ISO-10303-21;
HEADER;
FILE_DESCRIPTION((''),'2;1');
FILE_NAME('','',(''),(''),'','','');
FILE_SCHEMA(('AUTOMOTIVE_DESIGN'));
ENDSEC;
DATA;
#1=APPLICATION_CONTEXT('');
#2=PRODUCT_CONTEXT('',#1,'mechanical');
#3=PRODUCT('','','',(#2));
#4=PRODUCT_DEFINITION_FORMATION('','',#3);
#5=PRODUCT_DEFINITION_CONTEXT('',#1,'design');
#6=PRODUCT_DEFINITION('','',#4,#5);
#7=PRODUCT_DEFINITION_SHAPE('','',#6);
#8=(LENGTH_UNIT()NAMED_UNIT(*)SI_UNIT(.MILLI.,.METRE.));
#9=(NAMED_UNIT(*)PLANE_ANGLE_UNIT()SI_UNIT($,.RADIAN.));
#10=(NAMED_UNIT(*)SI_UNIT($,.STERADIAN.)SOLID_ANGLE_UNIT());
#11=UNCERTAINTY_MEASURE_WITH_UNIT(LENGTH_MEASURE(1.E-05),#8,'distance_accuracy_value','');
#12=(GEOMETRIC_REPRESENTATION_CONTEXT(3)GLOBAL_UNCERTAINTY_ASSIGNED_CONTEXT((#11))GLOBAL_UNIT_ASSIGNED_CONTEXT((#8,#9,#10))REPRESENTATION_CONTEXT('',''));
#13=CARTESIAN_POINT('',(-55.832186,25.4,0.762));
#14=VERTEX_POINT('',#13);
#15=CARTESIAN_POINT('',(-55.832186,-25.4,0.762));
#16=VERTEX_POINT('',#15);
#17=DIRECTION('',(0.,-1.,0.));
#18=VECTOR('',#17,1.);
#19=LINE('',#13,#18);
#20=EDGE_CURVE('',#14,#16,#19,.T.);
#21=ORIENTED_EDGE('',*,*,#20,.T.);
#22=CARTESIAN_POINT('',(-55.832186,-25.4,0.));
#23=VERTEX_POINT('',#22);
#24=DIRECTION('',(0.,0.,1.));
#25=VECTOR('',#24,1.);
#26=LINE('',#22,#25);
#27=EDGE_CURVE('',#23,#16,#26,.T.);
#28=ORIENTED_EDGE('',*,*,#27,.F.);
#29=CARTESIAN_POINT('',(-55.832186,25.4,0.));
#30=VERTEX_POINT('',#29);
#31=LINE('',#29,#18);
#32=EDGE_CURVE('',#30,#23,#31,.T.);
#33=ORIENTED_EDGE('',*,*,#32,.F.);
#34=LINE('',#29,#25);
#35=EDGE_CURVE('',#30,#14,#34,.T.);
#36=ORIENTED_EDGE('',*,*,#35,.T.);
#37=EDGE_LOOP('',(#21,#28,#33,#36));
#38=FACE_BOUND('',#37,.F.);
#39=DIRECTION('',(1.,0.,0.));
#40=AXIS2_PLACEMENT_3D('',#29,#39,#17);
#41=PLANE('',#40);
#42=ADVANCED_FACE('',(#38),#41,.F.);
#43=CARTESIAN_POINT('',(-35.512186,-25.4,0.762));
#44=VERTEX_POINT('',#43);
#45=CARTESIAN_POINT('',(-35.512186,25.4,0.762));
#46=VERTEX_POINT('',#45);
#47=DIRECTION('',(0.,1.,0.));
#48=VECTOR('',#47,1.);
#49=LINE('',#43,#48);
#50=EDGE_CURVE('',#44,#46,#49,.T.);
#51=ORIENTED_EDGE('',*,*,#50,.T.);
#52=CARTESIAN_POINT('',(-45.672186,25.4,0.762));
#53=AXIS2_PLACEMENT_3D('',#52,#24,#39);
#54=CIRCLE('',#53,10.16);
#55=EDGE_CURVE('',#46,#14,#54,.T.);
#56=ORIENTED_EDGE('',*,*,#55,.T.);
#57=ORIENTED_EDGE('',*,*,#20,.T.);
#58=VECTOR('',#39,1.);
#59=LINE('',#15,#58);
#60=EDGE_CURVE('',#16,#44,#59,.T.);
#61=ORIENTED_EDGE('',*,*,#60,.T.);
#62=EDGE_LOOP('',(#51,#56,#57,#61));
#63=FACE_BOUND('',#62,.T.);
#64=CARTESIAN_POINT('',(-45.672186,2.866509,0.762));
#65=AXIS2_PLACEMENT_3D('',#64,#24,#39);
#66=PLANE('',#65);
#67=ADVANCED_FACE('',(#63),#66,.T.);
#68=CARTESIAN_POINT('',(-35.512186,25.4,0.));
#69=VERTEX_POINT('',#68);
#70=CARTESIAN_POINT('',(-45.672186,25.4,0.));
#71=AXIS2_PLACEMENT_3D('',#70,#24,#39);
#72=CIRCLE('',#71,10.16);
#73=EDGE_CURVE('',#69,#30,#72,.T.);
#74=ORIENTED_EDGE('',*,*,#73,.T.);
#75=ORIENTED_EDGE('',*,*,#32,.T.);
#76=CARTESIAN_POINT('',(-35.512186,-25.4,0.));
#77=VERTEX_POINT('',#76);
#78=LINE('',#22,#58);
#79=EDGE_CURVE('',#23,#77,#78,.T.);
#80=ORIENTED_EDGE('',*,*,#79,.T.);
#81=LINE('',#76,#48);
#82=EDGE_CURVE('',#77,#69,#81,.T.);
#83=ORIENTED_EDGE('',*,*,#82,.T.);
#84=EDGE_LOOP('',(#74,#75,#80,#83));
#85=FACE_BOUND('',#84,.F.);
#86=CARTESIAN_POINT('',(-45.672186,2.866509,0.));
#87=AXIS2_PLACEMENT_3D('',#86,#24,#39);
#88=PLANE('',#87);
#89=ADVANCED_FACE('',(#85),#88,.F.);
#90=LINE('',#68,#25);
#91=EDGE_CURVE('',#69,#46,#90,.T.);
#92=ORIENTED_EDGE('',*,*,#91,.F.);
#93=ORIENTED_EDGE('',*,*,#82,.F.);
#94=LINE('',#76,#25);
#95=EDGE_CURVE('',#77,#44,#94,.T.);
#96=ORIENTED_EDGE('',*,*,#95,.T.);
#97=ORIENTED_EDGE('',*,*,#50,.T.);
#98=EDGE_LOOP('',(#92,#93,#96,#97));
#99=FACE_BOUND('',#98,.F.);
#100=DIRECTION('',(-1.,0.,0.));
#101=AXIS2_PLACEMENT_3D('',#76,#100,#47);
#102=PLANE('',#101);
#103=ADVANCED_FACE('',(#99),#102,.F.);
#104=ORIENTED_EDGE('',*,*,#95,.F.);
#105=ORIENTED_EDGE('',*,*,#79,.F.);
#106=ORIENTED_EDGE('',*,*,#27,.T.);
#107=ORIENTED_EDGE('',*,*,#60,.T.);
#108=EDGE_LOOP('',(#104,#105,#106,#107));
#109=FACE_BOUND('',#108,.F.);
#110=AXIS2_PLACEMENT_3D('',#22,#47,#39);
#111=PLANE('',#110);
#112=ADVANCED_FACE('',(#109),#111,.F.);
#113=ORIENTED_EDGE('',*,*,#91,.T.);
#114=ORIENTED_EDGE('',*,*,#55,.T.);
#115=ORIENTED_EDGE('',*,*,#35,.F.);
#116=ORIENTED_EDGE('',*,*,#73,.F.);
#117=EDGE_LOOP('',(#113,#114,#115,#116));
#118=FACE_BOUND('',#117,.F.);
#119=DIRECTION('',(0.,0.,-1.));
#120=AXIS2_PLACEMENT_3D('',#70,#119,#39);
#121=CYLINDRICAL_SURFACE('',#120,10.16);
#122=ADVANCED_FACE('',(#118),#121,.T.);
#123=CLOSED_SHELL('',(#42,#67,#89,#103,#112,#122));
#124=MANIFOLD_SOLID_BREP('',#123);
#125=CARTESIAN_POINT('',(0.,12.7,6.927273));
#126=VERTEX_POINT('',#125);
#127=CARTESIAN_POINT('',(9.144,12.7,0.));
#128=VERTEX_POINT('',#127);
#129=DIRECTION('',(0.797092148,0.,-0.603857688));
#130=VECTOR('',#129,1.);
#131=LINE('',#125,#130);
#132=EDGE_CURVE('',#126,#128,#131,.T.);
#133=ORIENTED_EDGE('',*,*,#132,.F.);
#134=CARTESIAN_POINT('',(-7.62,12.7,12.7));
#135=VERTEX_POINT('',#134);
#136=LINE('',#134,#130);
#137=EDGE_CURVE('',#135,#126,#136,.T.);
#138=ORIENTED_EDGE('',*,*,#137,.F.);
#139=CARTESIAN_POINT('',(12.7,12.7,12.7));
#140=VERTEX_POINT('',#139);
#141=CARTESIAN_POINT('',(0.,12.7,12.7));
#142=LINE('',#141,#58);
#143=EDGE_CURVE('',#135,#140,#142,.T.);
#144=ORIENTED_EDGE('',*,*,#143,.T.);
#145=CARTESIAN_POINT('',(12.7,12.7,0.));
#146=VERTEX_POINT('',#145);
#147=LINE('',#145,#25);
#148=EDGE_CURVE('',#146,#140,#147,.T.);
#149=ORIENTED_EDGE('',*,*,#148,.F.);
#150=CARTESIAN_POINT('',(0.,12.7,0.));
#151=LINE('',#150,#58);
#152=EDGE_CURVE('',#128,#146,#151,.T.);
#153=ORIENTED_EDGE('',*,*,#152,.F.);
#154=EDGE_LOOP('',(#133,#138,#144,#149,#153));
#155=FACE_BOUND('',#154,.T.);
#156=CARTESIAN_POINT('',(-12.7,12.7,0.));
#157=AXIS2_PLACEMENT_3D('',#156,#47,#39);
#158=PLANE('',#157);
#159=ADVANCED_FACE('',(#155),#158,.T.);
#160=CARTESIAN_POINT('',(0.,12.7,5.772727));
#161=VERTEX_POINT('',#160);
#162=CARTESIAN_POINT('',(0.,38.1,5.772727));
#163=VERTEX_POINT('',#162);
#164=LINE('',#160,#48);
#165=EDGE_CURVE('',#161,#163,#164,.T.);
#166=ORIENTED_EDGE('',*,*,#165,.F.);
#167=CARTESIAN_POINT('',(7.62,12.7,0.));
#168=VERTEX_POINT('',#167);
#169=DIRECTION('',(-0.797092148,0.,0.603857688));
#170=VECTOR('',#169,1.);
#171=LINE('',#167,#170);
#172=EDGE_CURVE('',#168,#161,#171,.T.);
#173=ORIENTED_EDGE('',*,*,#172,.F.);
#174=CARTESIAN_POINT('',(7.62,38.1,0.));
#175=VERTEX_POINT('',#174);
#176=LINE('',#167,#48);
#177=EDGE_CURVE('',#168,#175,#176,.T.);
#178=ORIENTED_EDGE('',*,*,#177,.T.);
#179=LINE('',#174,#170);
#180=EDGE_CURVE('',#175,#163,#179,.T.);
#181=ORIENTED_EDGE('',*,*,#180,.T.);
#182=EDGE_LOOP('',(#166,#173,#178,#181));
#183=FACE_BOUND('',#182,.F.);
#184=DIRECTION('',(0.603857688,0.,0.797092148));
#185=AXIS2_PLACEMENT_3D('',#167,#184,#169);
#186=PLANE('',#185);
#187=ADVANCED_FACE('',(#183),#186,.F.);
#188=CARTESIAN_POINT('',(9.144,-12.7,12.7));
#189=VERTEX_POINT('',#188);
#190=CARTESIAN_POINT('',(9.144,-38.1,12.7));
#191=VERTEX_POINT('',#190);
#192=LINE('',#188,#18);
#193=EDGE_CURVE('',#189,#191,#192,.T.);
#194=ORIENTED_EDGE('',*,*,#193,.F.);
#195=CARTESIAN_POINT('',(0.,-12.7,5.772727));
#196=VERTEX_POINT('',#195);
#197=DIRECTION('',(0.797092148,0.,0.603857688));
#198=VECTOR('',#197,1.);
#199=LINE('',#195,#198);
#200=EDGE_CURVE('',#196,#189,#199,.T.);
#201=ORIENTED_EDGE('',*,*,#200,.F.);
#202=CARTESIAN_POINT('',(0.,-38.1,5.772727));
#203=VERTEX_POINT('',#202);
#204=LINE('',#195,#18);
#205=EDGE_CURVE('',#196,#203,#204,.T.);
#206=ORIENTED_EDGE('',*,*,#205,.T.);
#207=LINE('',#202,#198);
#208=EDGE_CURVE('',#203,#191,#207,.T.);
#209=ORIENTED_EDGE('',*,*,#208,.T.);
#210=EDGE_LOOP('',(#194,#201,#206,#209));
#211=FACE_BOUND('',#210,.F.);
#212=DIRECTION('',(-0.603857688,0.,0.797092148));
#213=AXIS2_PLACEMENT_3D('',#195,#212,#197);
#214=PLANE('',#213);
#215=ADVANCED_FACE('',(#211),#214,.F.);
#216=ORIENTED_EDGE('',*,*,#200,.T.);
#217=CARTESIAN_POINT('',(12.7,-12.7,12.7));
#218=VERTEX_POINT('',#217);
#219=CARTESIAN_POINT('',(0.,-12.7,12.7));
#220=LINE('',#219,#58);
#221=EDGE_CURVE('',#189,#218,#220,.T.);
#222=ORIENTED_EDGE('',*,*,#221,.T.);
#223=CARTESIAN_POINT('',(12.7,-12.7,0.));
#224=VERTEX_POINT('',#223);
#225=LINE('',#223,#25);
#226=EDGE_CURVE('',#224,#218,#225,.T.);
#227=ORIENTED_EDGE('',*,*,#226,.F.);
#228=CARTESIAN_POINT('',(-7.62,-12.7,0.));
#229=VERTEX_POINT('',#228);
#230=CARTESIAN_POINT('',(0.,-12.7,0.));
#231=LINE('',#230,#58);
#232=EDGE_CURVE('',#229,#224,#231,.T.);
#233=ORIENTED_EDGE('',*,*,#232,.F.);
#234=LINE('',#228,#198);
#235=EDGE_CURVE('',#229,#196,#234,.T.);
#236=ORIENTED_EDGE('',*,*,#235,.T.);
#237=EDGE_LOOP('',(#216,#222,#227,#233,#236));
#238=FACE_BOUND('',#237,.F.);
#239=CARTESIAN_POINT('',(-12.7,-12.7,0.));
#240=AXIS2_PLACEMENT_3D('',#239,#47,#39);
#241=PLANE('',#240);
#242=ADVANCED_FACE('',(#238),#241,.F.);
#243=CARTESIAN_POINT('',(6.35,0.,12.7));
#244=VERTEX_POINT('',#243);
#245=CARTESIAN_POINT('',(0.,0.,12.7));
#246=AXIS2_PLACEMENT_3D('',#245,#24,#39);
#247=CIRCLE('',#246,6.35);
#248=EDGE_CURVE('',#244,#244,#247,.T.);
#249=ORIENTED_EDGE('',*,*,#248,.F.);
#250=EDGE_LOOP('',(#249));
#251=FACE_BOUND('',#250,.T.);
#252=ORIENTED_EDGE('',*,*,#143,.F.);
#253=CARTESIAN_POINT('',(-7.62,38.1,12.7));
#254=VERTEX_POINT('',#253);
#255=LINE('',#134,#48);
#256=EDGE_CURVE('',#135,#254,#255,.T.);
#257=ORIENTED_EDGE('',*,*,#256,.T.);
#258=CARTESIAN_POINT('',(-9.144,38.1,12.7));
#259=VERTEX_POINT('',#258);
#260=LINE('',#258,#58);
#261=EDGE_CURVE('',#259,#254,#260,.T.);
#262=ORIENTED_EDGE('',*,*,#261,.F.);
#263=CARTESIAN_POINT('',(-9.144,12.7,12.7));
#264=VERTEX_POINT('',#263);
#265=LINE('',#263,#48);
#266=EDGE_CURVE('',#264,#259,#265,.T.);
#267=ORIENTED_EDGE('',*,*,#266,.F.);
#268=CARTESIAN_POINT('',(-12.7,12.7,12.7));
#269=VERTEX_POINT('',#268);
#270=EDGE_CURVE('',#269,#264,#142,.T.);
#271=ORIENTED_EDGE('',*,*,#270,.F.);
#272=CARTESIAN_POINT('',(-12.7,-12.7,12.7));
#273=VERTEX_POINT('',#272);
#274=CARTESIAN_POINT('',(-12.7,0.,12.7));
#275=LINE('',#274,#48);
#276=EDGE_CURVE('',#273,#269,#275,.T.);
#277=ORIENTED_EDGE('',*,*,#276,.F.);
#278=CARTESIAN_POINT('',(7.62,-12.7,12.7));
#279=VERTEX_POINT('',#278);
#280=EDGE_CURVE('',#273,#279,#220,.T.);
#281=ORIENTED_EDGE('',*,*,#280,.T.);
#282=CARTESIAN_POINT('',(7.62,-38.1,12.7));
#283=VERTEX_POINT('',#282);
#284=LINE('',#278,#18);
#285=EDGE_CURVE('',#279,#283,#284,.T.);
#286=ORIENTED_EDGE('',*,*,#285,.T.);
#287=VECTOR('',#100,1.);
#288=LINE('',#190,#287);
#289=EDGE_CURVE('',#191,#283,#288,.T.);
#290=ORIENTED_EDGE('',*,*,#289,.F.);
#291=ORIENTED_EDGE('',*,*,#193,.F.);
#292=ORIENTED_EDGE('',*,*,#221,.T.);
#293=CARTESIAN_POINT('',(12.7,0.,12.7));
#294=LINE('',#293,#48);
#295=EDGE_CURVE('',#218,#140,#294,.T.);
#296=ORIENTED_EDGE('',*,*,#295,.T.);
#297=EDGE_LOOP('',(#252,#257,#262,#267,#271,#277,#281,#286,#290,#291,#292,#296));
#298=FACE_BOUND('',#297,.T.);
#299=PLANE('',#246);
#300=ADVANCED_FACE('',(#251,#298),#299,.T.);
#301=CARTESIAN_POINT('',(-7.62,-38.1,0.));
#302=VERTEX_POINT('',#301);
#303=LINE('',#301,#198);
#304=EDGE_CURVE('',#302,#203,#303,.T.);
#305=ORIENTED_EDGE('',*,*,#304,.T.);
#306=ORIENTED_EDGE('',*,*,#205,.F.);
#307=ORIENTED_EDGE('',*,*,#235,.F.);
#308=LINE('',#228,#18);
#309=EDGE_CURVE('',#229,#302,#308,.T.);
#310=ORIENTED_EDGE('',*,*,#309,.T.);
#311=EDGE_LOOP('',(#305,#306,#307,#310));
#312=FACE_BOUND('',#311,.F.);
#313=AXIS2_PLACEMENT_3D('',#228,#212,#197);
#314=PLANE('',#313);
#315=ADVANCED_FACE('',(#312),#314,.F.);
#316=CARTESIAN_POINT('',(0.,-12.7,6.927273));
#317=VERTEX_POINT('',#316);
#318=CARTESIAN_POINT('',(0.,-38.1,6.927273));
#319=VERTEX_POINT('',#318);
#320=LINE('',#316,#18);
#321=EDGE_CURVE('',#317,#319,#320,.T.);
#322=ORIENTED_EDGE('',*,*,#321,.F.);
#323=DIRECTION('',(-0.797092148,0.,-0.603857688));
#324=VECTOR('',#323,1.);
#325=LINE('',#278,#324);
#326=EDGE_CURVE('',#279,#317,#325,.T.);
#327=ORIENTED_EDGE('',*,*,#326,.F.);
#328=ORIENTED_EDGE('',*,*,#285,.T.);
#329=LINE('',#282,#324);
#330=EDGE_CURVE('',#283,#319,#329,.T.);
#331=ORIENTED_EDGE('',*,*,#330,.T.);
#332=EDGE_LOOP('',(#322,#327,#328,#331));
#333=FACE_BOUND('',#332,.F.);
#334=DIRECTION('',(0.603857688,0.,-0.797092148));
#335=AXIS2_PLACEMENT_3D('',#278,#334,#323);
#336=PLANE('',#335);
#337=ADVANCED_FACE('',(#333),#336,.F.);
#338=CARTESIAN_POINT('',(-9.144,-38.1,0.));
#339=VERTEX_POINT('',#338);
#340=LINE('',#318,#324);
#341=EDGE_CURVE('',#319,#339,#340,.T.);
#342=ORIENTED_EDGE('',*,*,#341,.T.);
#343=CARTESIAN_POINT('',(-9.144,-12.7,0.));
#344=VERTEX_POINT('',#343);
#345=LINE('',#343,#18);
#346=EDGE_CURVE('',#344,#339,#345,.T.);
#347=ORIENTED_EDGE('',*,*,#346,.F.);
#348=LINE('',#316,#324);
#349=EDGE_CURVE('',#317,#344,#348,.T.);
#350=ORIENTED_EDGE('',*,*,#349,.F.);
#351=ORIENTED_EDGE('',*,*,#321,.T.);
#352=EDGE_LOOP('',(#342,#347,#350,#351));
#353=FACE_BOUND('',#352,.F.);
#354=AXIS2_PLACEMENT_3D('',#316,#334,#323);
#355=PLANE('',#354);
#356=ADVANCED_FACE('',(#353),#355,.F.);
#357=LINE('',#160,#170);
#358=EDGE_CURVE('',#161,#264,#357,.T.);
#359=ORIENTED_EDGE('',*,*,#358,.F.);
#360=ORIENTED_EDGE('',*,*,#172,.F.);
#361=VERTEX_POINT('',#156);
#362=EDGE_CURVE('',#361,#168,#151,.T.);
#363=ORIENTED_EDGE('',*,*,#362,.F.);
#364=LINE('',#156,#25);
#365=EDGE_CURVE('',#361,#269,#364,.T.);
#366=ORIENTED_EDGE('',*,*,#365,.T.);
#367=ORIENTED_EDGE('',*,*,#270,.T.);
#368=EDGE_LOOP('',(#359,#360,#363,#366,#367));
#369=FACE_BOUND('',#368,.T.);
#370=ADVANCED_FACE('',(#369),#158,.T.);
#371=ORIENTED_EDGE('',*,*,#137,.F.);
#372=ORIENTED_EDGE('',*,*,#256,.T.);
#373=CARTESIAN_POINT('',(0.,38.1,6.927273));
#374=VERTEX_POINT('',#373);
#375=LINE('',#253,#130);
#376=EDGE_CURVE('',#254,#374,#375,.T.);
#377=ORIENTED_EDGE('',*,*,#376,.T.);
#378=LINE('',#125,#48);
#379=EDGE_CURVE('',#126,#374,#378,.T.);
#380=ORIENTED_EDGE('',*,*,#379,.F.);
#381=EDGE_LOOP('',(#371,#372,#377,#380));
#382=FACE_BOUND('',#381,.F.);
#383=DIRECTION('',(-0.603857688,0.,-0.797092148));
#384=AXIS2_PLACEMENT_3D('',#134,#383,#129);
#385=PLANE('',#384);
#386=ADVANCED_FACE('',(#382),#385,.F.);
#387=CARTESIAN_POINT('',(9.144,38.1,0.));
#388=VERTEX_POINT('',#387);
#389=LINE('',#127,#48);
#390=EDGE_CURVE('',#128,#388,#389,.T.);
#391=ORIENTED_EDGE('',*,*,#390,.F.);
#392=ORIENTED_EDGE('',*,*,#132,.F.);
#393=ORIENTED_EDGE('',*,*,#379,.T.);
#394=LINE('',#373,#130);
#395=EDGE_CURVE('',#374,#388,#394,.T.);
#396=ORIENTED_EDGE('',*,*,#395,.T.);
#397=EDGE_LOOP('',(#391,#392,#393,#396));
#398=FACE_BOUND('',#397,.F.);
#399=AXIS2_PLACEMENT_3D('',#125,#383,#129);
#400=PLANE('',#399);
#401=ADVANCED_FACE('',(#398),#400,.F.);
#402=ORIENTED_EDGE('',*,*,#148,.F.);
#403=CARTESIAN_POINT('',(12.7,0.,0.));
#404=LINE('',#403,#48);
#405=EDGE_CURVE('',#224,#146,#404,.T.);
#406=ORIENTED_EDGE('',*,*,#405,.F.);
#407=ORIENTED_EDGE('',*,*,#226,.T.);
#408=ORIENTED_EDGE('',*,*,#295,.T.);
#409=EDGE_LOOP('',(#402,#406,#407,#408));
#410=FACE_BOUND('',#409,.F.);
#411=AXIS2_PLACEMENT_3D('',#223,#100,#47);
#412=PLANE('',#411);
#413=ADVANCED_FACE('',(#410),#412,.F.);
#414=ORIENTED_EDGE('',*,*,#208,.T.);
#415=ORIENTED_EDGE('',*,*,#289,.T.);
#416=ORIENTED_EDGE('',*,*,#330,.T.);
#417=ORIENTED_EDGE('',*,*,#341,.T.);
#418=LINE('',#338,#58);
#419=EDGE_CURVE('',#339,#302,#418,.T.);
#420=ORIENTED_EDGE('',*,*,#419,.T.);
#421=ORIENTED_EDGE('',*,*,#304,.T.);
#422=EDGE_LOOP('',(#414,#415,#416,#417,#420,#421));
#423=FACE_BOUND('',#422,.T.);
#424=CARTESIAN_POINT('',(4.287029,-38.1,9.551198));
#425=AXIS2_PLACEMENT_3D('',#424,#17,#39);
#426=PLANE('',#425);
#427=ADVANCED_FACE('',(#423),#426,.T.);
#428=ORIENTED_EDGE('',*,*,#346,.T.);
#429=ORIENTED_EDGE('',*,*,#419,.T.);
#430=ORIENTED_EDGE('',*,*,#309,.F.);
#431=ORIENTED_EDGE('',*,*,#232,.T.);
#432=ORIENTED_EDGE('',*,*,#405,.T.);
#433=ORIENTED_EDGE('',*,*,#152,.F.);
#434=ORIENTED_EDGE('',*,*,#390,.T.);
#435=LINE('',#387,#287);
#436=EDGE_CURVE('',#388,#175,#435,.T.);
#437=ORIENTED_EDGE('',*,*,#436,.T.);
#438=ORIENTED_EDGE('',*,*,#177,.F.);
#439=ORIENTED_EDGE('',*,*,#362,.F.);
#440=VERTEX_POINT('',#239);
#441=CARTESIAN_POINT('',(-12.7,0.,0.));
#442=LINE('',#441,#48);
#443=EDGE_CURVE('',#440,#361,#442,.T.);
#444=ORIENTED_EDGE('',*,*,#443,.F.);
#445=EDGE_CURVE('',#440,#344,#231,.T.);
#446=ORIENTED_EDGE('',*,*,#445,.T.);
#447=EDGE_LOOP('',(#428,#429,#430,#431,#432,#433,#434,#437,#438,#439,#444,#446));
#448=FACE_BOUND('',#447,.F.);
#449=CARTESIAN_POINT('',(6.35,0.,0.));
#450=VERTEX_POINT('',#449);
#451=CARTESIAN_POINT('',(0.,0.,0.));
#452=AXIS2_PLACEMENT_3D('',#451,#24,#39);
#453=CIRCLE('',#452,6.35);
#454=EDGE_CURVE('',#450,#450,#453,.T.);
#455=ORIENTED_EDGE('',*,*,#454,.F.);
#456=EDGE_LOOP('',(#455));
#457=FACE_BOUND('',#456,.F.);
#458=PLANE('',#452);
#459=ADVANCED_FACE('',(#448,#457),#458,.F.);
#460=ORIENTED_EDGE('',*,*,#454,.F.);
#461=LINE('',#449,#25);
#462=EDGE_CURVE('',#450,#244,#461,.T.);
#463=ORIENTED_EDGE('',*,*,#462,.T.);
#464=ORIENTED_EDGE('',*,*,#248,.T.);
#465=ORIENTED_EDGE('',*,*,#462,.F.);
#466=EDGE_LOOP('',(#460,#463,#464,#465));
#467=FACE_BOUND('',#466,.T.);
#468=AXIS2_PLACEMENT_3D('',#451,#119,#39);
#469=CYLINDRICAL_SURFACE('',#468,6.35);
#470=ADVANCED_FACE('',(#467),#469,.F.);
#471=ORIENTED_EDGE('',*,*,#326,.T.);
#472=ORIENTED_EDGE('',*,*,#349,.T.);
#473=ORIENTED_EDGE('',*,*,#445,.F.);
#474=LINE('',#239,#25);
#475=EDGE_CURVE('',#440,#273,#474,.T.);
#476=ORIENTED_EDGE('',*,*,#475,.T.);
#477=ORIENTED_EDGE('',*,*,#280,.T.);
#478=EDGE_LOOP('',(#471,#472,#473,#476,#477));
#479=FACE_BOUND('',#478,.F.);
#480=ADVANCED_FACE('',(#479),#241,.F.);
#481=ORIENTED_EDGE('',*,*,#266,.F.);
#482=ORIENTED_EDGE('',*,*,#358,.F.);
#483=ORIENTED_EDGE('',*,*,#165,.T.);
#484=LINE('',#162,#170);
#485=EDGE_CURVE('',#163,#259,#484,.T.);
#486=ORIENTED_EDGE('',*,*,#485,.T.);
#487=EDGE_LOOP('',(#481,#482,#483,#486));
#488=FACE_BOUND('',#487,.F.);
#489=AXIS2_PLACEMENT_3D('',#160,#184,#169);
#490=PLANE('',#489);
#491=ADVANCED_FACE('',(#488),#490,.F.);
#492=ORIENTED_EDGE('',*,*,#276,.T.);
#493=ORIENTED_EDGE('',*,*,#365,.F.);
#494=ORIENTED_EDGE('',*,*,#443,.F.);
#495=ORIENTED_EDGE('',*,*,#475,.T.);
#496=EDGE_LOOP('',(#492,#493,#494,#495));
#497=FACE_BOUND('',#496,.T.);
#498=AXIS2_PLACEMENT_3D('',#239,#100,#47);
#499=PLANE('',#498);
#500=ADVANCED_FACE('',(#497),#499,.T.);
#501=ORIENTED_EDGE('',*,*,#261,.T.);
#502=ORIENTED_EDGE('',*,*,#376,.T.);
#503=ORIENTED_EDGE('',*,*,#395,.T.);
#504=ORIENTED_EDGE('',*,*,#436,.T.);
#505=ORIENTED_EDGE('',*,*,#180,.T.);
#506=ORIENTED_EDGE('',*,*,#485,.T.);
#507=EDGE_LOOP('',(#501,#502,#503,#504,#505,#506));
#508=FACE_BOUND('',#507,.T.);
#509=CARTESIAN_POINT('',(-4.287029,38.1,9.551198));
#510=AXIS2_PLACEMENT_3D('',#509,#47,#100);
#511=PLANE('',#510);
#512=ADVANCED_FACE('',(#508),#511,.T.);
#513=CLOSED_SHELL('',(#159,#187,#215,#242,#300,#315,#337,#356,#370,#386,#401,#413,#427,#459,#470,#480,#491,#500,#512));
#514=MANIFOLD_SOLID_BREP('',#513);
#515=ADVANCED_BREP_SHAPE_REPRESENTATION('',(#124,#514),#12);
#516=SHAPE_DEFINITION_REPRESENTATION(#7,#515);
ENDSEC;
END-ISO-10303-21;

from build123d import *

# Parameters (mm, degrees)
F0_W     = 25.4
F0_H     = 25.4
F0_R     = 6.35
F1_DEPTH = 12.7
F3_DEPTH = 25.4
F5_DEPTH = 25.4
F7_DEPTH = 0.762


with BuildPart() as f1:
    # F0 (on Top) → F1 (new body)
    with BuildSketch(Plane.XY):
        Rectangle(F0_W, F0_H)
        Circle(F0_R, mode=Mode.SUBTRACT)
    extrude(amount=F1_DEPTH)

    # F2 (on face) → F3 (join)
    with BuildSketch(Plane(origin=(0, 12.7, 0), x_dir=(-1, 0, 0), z_dir=(0, 1, 0))):
        Polygon((7.62, 12.7), (0, 6.9272727273), (0, 5.7727272727), (9.144, 12.7), align=None)
        Polygon((0, 5.7727272727), (0, 6.9272727273), (-9.144, 0), (-7.62, 0), align=None)
    extrude(amount=F3_DEPTH)

    # F4 (on face) → F5 (join)
    with BuildSketch(Plane.XZ.offset(12.7)):
        Polygon((7.62, 12.7), (0, 6.9272727273), (0, 5.7727272727), (9.144, 12.7), align=None)
        Polygon((0, 5.7727272727), (0, 6.9272727273), (-9.144, 0), (-7.62, 0), align=None)
    extrude(amount=F5_DEPTH)


with BuildPart() as f7:
    # F6 (on Top) → F7 (new body)
    with BuildSketch(Plane.XY):
        with BuildLine():
            Line((-55.8321857466, 25.4), (-55.8321857466, -25.4))
            Line((-55.8321857466, -25.4), (-35.5121857466, -25.4))
            Line((-35.5121857466, -25.4), (-35.5121857466, 25.4))
            ThreePointArc((-35.5121857466, 25.4), (-45.6721857466, 35.56), (-55.8321857466, 25.4))
        make_face()
    extrude(amount=F7_DEPTH)


solid = Compound([f1.part, f7.part])
